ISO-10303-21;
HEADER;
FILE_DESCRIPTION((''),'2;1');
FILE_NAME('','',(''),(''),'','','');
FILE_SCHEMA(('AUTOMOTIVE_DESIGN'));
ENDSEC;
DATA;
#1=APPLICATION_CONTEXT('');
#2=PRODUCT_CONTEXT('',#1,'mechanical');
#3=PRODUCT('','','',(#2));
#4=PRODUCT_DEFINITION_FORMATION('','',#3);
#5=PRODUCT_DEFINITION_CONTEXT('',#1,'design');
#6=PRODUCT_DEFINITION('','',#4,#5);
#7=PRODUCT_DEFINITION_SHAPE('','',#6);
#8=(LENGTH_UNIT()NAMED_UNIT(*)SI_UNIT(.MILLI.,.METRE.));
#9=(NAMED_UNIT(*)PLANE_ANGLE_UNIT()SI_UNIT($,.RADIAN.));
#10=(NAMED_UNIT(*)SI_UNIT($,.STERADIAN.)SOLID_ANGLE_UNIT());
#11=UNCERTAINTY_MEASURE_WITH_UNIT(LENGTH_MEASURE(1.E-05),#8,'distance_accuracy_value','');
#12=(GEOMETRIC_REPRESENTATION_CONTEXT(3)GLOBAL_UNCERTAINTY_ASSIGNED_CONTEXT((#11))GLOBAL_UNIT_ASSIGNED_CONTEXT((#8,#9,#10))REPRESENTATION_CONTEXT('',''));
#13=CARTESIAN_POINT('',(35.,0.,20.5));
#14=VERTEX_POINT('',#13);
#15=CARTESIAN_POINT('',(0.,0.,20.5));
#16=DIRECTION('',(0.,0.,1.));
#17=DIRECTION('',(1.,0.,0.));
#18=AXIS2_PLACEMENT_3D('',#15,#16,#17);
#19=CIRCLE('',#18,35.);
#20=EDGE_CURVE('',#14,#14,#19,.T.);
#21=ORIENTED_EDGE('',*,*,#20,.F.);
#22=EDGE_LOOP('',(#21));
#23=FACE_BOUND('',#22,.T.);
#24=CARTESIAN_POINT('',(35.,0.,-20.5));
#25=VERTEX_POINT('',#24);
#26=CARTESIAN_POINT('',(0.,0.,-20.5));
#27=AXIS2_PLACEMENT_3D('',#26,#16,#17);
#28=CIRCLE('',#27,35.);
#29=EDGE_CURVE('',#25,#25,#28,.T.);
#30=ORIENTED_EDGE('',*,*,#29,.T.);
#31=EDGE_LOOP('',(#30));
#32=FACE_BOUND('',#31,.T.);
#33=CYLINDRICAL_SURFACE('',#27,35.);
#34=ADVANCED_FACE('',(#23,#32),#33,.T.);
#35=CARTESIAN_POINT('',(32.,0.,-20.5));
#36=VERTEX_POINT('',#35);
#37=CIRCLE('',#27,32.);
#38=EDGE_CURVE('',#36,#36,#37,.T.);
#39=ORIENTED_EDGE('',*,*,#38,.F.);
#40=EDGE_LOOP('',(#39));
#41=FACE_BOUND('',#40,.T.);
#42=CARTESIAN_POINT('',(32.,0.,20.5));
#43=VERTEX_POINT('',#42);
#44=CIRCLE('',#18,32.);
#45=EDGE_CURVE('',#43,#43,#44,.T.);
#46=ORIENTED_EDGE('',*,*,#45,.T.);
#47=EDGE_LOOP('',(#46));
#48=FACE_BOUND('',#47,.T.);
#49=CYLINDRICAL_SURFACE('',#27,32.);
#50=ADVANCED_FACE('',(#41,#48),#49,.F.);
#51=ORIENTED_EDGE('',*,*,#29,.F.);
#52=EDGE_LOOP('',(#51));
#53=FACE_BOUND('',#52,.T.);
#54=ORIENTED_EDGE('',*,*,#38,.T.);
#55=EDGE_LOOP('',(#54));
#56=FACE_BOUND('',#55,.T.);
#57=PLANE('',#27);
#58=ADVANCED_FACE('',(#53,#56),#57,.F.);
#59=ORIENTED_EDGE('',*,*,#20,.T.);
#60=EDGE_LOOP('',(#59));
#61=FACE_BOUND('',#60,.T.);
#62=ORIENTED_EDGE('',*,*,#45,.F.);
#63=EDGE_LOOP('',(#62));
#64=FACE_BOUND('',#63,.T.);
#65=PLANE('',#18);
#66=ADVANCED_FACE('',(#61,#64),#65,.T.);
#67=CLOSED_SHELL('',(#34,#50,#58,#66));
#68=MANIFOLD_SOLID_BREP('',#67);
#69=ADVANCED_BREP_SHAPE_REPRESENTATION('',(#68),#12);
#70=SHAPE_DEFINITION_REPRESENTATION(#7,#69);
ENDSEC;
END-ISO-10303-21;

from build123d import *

# Parameters (mm, degrees)
BOSS_EXTRUDE1_DEPTH      = 20.5
BOSS_EXTRUDE1_DEPTH_BACK = 20.5
SKETCH1_R                = 35
SKETCH1_R_2              = 32


with BuildPart() as part:
    # Sketch1 → Boss-Extrude1 (new, two sides: drawn at the far end of the back side and taken through both)
    with BuildSketch(Plane.XY.offset(-BOSS_EXTRUDE1_DEPTH_BACK)):
        Circle(SKETCH1_R)
        Circle(SKETCH1_R_2, mode=Mode.SUBTRACT)
    extrude(amount=BOSS_EXTRUDE1_DEPTH + BOSS_EXTRUDE1_DEPTH_BACK)


solid = part.part
